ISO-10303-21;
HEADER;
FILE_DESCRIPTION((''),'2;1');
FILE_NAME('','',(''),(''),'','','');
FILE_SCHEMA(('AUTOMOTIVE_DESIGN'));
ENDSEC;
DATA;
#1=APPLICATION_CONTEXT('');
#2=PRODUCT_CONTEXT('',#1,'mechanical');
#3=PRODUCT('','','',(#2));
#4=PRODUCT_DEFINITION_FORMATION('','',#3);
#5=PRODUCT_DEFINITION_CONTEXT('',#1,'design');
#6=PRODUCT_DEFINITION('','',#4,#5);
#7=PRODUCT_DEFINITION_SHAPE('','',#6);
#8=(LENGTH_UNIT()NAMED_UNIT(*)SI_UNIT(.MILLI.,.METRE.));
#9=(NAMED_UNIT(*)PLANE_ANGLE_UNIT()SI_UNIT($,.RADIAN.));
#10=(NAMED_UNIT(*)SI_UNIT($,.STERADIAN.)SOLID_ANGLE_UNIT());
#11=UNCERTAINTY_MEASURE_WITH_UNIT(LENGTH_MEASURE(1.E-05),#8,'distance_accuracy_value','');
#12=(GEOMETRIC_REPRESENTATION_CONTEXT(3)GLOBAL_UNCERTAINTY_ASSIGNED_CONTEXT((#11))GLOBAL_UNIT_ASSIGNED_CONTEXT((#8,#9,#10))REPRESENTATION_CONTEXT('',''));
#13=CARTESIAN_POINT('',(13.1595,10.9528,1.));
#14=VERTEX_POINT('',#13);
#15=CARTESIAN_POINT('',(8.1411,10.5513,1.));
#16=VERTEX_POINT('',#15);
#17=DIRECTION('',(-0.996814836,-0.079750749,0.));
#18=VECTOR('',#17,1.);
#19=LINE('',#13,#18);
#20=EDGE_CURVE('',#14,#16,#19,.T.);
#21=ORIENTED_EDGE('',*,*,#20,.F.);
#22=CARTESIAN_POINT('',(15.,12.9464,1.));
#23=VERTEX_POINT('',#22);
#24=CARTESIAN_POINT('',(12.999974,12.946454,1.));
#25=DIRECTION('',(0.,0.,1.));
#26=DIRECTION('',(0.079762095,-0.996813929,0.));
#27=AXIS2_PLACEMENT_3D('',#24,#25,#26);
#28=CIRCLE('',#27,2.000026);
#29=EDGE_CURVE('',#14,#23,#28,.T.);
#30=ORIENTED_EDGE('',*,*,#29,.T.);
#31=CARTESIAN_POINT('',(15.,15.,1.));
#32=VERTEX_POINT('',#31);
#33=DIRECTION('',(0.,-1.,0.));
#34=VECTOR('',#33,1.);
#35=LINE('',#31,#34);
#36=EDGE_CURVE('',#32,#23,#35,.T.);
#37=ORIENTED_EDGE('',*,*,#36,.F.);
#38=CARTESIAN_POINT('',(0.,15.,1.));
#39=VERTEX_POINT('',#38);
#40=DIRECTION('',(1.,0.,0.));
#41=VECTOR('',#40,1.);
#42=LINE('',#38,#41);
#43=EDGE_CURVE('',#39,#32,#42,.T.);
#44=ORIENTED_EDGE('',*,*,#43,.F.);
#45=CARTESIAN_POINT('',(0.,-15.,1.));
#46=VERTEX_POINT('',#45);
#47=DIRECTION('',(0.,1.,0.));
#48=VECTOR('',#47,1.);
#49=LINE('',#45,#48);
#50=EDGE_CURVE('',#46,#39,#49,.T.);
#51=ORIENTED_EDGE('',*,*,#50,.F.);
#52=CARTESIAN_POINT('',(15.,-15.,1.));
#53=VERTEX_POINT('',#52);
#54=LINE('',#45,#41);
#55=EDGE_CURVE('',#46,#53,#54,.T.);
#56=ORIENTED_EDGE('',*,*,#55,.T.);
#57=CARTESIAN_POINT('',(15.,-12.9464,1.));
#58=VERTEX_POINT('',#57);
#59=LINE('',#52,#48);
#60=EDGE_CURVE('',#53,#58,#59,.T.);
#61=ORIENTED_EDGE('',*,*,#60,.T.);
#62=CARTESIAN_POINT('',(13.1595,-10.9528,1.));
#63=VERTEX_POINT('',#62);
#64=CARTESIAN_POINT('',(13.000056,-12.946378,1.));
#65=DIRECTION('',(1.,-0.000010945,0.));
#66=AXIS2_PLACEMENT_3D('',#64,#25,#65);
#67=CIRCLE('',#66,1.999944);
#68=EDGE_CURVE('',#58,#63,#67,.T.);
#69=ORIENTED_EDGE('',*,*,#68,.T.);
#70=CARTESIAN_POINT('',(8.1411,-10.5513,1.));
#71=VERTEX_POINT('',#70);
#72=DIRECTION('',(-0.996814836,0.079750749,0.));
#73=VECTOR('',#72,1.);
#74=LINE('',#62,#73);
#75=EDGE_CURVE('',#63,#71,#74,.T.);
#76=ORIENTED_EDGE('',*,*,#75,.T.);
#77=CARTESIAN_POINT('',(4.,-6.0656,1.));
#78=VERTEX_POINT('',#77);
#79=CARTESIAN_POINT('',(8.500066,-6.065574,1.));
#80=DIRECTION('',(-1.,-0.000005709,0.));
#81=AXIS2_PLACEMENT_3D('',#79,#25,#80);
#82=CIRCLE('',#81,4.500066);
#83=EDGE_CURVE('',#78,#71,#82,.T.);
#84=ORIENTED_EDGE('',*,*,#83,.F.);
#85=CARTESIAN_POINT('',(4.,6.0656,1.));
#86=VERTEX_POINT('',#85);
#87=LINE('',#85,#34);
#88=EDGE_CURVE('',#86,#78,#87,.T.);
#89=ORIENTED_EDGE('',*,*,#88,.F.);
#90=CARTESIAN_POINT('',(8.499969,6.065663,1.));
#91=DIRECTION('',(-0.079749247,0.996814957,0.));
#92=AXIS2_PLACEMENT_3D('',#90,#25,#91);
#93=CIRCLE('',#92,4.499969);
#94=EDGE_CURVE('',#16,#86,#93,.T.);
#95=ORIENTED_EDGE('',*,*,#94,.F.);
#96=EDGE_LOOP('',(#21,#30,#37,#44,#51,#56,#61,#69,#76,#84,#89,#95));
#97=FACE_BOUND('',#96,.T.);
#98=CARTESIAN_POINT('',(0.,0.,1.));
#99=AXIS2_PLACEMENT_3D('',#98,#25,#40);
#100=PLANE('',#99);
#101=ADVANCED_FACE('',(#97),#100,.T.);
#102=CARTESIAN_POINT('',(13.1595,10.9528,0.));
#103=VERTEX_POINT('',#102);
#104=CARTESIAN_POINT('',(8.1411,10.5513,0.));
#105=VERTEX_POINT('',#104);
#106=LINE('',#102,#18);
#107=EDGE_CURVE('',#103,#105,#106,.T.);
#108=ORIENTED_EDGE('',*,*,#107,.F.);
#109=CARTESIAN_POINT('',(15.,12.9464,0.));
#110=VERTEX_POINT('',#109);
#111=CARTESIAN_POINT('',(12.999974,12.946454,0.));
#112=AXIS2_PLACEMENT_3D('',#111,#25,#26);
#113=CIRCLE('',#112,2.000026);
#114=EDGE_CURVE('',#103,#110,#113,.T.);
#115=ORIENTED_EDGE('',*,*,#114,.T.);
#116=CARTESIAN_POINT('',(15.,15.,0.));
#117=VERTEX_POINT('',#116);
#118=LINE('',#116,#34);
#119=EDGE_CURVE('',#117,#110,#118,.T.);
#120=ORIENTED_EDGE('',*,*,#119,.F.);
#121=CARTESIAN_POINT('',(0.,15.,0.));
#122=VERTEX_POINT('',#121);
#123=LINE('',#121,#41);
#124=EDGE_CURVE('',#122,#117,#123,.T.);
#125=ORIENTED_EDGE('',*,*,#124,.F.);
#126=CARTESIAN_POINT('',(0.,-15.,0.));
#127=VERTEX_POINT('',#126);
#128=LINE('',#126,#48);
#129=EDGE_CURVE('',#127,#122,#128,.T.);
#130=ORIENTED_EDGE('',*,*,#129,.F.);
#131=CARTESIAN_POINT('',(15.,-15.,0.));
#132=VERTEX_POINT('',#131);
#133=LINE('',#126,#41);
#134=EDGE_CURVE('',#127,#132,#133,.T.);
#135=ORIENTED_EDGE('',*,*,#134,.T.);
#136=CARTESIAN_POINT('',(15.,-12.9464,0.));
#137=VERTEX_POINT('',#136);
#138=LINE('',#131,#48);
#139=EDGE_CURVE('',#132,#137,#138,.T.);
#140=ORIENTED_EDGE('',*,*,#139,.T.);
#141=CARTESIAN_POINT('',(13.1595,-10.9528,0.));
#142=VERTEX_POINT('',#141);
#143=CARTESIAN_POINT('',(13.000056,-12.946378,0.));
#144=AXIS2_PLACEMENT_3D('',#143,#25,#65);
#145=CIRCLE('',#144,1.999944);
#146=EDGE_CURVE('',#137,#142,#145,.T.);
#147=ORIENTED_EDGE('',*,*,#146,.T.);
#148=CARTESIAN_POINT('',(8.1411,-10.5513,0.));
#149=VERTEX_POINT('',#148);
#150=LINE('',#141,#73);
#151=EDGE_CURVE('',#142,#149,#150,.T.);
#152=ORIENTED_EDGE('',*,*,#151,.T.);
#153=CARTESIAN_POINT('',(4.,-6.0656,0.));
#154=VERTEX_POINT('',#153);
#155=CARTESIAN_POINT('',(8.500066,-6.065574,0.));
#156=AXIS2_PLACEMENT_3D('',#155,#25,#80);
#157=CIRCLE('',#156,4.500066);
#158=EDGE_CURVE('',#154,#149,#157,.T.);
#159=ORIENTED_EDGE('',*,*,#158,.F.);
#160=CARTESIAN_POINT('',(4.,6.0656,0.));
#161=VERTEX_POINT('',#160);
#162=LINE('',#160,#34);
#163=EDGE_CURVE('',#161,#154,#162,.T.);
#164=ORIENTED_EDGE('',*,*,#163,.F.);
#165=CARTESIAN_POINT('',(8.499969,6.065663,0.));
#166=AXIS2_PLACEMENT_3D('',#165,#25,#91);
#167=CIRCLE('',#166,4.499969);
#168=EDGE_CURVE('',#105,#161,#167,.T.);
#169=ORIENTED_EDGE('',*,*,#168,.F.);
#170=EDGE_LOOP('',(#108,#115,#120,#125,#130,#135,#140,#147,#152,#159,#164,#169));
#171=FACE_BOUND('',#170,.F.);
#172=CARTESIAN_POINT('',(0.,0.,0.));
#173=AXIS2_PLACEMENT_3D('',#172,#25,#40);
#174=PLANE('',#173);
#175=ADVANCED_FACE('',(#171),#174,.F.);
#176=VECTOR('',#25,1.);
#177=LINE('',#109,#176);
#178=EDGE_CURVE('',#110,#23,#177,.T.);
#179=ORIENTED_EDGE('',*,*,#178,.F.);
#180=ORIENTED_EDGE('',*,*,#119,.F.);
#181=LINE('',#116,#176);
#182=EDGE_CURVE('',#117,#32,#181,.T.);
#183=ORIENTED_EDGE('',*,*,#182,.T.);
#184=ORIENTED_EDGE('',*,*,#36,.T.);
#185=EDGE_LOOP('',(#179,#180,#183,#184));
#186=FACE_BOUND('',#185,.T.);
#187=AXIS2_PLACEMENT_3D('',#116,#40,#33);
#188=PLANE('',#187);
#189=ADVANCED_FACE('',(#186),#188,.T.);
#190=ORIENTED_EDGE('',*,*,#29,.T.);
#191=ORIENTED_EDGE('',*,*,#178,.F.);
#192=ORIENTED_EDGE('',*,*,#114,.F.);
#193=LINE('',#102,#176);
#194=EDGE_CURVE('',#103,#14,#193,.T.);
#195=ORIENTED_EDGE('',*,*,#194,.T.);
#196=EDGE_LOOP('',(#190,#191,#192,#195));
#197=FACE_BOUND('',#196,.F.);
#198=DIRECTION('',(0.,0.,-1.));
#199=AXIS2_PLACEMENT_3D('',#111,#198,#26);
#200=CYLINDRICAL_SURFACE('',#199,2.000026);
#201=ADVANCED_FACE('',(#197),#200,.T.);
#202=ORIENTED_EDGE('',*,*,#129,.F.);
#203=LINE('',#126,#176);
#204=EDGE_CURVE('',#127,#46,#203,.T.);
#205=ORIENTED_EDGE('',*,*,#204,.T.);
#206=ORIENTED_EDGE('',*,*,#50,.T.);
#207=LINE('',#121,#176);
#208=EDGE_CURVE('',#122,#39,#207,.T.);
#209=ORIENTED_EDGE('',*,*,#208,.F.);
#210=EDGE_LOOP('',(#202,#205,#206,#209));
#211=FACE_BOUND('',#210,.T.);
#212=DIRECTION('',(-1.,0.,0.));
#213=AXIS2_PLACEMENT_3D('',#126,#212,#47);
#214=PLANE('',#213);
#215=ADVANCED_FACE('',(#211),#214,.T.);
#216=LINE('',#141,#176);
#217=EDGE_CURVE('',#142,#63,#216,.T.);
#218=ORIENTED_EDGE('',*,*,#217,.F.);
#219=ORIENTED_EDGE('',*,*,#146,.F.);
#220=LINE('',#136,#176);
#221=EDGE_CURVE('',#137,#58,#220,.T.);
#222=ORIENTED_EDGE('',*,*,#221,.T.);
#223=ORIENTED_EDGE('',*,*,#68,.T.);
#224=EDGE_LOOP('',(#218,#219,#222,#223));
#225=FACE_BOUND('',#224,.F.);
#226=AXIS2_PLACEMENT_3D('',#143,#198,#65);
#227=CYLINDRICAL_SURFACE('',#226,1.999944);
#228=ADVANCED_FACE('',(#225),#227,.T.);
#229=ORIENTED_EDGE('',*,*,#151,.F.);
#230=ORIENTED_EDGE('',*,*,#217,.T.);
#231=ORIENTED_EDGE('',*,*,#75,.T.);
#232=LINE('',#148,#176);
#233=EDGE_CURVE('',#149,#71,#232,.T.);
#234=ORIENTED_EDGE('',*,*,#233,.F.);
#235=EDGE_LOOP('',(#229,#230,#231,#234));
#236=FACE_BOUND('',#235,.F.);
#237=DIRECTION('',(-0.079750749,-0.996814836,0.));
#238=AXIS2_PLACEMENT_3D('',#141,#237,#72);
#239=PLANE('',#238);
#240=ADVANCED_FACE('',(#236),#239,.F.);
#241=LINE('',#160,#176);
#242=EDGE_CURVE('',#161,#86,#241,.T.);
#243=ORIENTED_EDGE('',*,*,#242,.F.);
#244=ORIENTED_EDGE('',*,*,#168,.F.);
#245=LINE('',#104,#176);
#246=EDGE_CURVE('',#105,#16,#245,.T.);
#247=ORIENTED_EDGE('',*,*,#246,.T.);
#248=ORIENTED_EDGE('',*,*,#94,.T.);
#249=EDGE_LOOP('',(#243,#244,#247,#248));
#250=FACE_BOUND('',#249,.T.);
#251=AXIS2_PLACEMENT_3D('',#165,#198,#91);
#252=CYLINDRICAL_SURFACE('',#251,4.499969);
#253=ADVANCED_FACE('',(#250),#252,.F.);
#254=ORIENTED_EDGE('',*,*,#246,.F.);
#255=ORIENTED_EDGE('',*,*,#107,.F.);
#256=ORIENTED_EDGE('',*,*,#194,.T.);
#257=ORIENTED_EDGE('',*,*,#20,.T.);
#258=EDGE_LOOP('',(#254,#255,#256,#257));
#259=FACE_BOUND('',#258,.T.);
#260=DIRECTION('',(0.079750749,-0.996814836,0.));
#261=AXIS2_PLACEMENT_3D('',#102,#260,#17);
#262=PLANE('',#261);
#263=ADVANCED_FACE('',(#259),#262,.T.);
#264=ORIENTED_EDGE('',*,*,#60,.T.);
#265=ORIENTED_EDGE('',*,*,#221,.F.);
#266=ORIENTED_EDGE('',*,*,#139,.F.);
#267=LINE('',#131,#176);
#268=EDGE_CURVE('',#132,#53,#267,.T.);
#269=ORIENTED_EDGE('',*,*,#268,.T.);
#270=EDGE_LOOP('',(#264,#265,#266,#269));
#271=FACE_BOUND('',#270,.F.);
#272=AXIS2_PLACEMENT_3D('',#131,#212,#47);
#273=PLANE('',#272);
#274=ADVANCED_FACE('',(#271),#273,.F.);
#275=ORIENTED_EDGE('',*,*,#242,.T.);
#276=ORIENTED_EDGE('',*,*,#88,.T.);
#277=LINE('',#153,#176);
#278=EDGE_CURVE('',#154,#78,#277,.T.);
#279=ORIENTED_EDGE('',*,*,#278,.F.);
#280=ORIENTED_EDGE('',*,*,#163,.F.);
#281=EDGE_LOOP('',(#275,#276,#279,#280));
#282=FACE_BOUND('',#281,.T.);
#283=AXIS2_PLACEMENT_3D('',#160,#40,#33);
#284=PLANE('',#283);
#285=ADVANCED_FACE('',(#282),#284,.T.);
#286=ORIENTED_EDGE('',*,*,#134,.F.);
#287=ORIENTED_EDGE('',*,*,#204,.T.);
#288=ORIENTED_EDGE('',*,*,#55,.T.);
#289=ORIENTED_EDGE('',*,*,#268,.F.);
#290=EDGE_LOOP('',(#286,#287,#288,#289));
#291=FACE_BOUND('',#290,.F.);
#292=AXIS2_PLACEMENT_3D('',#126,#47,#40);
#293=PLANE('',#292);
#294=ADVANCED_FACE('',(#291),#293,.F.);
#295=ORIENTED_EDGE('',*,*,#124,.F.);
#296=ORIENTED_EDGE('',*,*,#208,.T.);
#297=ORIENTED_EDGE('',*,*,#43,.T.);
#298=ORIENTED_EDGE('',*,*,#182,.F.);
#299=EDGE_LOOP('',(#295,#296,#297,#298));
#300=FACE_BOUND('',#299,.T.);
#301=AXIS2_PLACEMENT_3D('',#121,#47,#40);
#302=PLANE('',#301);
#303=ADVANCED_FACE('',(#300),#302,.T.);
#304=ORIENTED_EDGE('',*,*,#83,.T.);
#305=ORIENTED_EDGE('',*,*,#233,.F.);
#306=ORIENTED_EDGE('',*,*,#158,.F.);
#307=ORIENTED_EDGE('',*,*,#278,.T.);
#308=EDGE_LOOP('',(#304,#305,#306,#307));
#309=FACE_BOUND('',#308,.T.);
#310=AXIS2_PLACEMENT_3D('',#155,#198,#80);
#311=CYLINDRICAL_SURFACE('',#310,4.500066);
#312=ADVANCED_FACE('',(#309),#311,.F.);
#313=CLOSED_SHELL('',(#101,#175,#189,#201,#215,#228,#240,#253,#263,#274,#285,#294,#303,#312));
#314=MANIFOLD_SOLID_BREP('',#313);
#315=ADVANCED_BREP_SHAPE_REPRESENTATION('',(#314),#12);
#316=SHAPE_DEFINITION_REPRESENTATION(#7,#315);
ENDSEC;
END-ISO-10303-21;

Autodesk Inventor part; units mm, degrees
ref_plane "YZ Plane" through (0, 0, 0) normal (1, 0, 0) x (0, 1, 0)
ref_plane "Начальная плоскость" through (0, 0, 0) normal (0, 0, 1) x (1, 0, 0)
ref_plane "Конечная плоскость" through (0, 0, 1) normal (0, 0, 1) x (1, 0, 0)
sketch "Эскиз" plane through (0, 0, 0) normal (0, 0, 1) x (1, 0, 0)
  line L0 (0, -15) -> (0, 15)
  line L1 (0, 15) -> (15, 15)
  line L2 (15, 15) -> (15, 12.9464)
  line L3 (13.1595, 10.9528) -> (8.1411, 10.5513)
  line L4 (4, 6.0656) -> (4, -6.0656)
  line L5 (7.5, 15) -> (7.5, 10.5) construction
  line L6 (15, 11.1) -> (15, 10.5) construction
  line L7 (15, 10.5) -> (7.5, 10.5) construction
  line L8 (0, -15) -> (15, -15)
  line L9 (15, -15) -> (15, -12.9464)
  line L10 (13.1595, -10.9528) -> (8.1411, -10.5513)
  arc A0 (8.1411, 10.5513) -> (4, 6.0656) centre (8.5, 6.0656) ccw
  arc A1 (4, -6.0656) -> (8.1411, -10.5513) centre (8.5, -6.0656) ccw
  arc A2 (13.1595, 10.9528) -> (15, 12.9464) centre (13, 12.9464) ccw
  arc A3 (15, -12.9464) -> (13.1595, -10.9528) centre (13, -12.9464) ccw
  line L11 (0, 0) -> (4, 0) construction
  line L12 (0, 0) -> (15, 0) construction
  point P0 (7.5, -10.5)
  dimension "d5" = 0.6
  dimension "d23" = 4.5
  dimension "d24" = 2
  dimension "d31" = 15
  dimension "d32" = 7.5
  dimension "d33" = 4.5
  dimension "d34" = 30
  dimension "d35" = 4
  dimension "d36" = 7.5
  dimension "d37" = 4.5
  dimension "d38" = 90
extrude "Базовый элемент" add sketch "Эскиз" along normal up to surface (1 mm away) from surface at 0
sketch "Sketch3" plane through (0, 0, 0) normal (0, 0, 1) x (1, 0, 0)
  line L0 (0, 0) -> (10, 0)
ref_plane "Work Plane3" through (0, 0, 0) normal (0, -1, 0) x (1, 0, 0)
sketch "Sketch4" plane through (0, 0, 0) normal (0, -1, 0) x (1, 0, 0)
  line L0 (-2, 0) -> (12, 0)
  line L1 (-2, 1) -> (12, 1)
  dimension "d29" = 1
equation "\"d23\" = G_IR"
equation "\"d24\" = G_ER"
equation "\"d31\" = G_W"
equation "\"d32\" = G_C"
equation "\"d33\" = G_T1"
equation "\"d34\" = G_H"
equation "\"d35\" = G_T"
equation "\"d36\" = d32"
equation "\"d37\" = d33"
equation "\"d6\" = G_L"
equation "\"G_W\" = 15"
equation "\"G_H\" = 30"
equation "\"G_T\" = 4"
equation "\"G_T1\" = 4.5"
equation "\"G_NG\" = 0.08"
equation "\"G_ER\" = 2"
equation "\"G_IR\" = 4.5"
equation "\"G_C\" = 7.5"
equation "\"G_L\" = d29"
equation "\"ex\" = 0"
equation "\"G_OFFSET_START\" = 0"
equation "\"G_OFFSET_END\" = 0"
equation "\"d27\" = G_OFFSET_END + B_L"
equation "\"B_L\" = 1"
properties part number "DIN 1026-1" material "S235JR ДСТУ EN 10025-1"
